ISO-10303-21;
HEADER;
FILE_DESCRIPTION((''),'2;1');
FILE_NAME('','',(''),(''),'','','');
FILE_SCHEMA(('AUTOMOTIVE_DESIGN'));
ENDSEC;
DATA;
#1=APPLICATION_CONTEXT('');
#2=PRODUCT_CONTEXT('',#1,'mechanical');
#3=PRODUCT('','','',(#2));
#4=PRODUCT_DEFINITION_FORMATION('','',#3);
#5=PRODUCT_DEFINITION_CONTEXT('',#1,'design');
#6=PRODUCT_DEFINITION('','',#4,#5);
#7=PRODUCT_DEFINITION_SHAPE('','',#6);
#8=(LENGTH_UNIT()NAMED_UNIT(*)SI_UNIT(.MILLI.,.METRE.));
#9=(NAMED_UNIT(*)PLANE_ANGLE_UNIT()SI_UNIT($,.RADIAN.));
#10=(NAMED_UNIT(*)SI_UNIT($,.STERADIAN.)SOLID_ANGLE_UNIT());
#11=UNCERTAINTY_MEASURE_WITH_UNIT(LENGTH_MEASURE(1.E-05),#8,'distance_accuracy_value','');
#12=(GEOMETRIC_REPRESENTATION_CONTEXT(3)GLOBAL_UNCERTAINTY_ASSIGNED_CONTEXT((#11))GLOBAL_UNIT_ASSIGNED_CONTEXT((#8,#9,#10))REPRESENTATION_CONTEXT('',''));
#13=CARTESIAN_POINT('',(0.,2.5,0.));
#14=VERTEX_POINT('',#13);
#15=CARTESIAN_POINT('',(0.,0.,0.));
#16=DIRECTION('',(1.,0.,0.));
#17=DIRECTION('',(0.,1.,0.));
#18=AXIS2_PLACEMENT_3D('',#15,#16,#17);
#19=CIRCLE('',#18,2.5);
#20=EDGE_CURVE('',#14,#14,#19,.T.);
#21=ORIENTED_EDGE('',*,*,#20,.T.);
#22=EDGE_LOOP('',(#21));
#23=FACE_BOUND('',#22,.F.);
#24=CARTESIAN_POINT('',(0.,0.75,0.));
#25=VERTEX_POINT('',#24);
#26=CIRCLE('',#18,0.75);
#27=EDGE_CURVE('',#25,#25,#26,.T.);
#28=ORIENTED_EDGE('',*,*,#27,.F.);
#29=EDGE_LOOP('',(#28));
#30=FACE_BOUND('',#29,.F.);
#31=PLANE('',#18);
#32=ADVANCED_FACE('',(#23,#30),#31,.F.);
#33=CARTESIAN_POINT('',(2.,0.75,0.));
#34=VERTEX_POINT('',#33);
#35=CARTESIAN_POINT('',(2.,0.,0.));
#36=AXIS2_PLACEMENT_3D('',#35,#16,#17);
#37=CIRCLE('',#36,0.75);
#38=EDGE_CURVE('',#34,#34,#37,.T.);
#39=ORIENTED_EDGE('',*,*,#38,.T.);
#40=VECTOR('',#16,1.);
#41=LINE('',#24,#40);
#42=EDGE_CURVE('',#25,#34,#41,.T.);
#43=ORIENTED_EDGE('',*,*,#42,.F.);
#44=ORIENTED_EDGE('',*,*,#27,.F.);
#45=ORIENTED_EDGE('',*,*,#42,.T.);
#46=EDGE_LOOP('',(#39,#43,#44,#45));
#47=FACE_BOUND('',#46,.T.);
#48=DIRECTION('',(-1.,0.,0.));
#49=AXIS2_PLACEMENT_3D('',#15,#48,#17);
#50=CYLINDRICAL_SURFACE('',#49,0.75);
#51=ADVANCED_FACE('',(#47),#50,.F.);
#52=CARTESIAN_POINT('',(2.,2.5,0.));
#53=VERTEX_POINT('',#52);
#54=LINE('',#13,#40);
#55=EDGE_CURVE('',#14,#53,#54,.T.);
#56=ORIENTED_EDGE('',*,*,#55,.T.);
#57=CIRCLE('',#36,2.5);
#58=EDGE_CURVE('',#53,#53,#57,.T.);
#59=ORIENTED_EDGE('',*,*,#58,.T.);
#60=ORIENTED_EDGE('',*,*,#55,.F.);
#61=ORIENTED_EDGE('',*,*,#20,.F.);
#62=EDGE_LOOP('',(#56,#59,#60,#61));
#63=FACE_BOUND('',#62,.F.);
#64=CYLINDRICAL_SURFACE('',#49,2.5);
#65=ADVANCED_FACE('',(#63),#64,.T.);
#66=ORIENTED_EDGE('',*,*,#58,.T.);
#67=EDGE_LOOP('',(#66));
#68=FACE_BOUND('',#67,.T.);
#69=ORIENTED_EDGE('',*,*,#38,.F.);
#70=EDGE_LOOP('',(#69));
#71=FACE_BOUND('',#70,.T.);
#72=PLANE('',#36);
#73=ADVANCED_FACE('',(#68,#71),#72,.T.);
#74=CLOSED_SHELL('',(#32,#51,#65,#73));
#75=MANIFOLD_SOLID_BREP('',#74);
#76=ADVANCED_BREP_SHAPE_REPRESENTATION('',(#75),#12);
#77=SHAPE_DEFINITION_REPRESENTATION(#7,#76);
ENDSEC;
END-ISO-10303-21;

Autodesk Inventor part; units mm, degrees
ref_plane "YZ Plane" through (0, 0, 0) normal (1, 0, 0) x (0, 1, 0)
ref_plane "XZ Plane" through (0, 0, 0) normal (0, 1, 0) x (-1, 0, 0)
ref_plane "XY Plane" through (0, 0, 0) normal (0, 0, 1) x (1, 0, 0)
sketch "スケッチ1" plane through (0, 0, 0) normal (1, 0, 0) x (0, 1, 0)
  circle A0 centre (0, 0) radius 0.75
  circle A1 centre (0, 0) radius 2.5
  dimension "d0" = 1.5
  dimension "d1" = 5
extrude "押し出し1" add sketch "スケッチ1" along normal blind 2
properties part number "Pinion_Gear"
